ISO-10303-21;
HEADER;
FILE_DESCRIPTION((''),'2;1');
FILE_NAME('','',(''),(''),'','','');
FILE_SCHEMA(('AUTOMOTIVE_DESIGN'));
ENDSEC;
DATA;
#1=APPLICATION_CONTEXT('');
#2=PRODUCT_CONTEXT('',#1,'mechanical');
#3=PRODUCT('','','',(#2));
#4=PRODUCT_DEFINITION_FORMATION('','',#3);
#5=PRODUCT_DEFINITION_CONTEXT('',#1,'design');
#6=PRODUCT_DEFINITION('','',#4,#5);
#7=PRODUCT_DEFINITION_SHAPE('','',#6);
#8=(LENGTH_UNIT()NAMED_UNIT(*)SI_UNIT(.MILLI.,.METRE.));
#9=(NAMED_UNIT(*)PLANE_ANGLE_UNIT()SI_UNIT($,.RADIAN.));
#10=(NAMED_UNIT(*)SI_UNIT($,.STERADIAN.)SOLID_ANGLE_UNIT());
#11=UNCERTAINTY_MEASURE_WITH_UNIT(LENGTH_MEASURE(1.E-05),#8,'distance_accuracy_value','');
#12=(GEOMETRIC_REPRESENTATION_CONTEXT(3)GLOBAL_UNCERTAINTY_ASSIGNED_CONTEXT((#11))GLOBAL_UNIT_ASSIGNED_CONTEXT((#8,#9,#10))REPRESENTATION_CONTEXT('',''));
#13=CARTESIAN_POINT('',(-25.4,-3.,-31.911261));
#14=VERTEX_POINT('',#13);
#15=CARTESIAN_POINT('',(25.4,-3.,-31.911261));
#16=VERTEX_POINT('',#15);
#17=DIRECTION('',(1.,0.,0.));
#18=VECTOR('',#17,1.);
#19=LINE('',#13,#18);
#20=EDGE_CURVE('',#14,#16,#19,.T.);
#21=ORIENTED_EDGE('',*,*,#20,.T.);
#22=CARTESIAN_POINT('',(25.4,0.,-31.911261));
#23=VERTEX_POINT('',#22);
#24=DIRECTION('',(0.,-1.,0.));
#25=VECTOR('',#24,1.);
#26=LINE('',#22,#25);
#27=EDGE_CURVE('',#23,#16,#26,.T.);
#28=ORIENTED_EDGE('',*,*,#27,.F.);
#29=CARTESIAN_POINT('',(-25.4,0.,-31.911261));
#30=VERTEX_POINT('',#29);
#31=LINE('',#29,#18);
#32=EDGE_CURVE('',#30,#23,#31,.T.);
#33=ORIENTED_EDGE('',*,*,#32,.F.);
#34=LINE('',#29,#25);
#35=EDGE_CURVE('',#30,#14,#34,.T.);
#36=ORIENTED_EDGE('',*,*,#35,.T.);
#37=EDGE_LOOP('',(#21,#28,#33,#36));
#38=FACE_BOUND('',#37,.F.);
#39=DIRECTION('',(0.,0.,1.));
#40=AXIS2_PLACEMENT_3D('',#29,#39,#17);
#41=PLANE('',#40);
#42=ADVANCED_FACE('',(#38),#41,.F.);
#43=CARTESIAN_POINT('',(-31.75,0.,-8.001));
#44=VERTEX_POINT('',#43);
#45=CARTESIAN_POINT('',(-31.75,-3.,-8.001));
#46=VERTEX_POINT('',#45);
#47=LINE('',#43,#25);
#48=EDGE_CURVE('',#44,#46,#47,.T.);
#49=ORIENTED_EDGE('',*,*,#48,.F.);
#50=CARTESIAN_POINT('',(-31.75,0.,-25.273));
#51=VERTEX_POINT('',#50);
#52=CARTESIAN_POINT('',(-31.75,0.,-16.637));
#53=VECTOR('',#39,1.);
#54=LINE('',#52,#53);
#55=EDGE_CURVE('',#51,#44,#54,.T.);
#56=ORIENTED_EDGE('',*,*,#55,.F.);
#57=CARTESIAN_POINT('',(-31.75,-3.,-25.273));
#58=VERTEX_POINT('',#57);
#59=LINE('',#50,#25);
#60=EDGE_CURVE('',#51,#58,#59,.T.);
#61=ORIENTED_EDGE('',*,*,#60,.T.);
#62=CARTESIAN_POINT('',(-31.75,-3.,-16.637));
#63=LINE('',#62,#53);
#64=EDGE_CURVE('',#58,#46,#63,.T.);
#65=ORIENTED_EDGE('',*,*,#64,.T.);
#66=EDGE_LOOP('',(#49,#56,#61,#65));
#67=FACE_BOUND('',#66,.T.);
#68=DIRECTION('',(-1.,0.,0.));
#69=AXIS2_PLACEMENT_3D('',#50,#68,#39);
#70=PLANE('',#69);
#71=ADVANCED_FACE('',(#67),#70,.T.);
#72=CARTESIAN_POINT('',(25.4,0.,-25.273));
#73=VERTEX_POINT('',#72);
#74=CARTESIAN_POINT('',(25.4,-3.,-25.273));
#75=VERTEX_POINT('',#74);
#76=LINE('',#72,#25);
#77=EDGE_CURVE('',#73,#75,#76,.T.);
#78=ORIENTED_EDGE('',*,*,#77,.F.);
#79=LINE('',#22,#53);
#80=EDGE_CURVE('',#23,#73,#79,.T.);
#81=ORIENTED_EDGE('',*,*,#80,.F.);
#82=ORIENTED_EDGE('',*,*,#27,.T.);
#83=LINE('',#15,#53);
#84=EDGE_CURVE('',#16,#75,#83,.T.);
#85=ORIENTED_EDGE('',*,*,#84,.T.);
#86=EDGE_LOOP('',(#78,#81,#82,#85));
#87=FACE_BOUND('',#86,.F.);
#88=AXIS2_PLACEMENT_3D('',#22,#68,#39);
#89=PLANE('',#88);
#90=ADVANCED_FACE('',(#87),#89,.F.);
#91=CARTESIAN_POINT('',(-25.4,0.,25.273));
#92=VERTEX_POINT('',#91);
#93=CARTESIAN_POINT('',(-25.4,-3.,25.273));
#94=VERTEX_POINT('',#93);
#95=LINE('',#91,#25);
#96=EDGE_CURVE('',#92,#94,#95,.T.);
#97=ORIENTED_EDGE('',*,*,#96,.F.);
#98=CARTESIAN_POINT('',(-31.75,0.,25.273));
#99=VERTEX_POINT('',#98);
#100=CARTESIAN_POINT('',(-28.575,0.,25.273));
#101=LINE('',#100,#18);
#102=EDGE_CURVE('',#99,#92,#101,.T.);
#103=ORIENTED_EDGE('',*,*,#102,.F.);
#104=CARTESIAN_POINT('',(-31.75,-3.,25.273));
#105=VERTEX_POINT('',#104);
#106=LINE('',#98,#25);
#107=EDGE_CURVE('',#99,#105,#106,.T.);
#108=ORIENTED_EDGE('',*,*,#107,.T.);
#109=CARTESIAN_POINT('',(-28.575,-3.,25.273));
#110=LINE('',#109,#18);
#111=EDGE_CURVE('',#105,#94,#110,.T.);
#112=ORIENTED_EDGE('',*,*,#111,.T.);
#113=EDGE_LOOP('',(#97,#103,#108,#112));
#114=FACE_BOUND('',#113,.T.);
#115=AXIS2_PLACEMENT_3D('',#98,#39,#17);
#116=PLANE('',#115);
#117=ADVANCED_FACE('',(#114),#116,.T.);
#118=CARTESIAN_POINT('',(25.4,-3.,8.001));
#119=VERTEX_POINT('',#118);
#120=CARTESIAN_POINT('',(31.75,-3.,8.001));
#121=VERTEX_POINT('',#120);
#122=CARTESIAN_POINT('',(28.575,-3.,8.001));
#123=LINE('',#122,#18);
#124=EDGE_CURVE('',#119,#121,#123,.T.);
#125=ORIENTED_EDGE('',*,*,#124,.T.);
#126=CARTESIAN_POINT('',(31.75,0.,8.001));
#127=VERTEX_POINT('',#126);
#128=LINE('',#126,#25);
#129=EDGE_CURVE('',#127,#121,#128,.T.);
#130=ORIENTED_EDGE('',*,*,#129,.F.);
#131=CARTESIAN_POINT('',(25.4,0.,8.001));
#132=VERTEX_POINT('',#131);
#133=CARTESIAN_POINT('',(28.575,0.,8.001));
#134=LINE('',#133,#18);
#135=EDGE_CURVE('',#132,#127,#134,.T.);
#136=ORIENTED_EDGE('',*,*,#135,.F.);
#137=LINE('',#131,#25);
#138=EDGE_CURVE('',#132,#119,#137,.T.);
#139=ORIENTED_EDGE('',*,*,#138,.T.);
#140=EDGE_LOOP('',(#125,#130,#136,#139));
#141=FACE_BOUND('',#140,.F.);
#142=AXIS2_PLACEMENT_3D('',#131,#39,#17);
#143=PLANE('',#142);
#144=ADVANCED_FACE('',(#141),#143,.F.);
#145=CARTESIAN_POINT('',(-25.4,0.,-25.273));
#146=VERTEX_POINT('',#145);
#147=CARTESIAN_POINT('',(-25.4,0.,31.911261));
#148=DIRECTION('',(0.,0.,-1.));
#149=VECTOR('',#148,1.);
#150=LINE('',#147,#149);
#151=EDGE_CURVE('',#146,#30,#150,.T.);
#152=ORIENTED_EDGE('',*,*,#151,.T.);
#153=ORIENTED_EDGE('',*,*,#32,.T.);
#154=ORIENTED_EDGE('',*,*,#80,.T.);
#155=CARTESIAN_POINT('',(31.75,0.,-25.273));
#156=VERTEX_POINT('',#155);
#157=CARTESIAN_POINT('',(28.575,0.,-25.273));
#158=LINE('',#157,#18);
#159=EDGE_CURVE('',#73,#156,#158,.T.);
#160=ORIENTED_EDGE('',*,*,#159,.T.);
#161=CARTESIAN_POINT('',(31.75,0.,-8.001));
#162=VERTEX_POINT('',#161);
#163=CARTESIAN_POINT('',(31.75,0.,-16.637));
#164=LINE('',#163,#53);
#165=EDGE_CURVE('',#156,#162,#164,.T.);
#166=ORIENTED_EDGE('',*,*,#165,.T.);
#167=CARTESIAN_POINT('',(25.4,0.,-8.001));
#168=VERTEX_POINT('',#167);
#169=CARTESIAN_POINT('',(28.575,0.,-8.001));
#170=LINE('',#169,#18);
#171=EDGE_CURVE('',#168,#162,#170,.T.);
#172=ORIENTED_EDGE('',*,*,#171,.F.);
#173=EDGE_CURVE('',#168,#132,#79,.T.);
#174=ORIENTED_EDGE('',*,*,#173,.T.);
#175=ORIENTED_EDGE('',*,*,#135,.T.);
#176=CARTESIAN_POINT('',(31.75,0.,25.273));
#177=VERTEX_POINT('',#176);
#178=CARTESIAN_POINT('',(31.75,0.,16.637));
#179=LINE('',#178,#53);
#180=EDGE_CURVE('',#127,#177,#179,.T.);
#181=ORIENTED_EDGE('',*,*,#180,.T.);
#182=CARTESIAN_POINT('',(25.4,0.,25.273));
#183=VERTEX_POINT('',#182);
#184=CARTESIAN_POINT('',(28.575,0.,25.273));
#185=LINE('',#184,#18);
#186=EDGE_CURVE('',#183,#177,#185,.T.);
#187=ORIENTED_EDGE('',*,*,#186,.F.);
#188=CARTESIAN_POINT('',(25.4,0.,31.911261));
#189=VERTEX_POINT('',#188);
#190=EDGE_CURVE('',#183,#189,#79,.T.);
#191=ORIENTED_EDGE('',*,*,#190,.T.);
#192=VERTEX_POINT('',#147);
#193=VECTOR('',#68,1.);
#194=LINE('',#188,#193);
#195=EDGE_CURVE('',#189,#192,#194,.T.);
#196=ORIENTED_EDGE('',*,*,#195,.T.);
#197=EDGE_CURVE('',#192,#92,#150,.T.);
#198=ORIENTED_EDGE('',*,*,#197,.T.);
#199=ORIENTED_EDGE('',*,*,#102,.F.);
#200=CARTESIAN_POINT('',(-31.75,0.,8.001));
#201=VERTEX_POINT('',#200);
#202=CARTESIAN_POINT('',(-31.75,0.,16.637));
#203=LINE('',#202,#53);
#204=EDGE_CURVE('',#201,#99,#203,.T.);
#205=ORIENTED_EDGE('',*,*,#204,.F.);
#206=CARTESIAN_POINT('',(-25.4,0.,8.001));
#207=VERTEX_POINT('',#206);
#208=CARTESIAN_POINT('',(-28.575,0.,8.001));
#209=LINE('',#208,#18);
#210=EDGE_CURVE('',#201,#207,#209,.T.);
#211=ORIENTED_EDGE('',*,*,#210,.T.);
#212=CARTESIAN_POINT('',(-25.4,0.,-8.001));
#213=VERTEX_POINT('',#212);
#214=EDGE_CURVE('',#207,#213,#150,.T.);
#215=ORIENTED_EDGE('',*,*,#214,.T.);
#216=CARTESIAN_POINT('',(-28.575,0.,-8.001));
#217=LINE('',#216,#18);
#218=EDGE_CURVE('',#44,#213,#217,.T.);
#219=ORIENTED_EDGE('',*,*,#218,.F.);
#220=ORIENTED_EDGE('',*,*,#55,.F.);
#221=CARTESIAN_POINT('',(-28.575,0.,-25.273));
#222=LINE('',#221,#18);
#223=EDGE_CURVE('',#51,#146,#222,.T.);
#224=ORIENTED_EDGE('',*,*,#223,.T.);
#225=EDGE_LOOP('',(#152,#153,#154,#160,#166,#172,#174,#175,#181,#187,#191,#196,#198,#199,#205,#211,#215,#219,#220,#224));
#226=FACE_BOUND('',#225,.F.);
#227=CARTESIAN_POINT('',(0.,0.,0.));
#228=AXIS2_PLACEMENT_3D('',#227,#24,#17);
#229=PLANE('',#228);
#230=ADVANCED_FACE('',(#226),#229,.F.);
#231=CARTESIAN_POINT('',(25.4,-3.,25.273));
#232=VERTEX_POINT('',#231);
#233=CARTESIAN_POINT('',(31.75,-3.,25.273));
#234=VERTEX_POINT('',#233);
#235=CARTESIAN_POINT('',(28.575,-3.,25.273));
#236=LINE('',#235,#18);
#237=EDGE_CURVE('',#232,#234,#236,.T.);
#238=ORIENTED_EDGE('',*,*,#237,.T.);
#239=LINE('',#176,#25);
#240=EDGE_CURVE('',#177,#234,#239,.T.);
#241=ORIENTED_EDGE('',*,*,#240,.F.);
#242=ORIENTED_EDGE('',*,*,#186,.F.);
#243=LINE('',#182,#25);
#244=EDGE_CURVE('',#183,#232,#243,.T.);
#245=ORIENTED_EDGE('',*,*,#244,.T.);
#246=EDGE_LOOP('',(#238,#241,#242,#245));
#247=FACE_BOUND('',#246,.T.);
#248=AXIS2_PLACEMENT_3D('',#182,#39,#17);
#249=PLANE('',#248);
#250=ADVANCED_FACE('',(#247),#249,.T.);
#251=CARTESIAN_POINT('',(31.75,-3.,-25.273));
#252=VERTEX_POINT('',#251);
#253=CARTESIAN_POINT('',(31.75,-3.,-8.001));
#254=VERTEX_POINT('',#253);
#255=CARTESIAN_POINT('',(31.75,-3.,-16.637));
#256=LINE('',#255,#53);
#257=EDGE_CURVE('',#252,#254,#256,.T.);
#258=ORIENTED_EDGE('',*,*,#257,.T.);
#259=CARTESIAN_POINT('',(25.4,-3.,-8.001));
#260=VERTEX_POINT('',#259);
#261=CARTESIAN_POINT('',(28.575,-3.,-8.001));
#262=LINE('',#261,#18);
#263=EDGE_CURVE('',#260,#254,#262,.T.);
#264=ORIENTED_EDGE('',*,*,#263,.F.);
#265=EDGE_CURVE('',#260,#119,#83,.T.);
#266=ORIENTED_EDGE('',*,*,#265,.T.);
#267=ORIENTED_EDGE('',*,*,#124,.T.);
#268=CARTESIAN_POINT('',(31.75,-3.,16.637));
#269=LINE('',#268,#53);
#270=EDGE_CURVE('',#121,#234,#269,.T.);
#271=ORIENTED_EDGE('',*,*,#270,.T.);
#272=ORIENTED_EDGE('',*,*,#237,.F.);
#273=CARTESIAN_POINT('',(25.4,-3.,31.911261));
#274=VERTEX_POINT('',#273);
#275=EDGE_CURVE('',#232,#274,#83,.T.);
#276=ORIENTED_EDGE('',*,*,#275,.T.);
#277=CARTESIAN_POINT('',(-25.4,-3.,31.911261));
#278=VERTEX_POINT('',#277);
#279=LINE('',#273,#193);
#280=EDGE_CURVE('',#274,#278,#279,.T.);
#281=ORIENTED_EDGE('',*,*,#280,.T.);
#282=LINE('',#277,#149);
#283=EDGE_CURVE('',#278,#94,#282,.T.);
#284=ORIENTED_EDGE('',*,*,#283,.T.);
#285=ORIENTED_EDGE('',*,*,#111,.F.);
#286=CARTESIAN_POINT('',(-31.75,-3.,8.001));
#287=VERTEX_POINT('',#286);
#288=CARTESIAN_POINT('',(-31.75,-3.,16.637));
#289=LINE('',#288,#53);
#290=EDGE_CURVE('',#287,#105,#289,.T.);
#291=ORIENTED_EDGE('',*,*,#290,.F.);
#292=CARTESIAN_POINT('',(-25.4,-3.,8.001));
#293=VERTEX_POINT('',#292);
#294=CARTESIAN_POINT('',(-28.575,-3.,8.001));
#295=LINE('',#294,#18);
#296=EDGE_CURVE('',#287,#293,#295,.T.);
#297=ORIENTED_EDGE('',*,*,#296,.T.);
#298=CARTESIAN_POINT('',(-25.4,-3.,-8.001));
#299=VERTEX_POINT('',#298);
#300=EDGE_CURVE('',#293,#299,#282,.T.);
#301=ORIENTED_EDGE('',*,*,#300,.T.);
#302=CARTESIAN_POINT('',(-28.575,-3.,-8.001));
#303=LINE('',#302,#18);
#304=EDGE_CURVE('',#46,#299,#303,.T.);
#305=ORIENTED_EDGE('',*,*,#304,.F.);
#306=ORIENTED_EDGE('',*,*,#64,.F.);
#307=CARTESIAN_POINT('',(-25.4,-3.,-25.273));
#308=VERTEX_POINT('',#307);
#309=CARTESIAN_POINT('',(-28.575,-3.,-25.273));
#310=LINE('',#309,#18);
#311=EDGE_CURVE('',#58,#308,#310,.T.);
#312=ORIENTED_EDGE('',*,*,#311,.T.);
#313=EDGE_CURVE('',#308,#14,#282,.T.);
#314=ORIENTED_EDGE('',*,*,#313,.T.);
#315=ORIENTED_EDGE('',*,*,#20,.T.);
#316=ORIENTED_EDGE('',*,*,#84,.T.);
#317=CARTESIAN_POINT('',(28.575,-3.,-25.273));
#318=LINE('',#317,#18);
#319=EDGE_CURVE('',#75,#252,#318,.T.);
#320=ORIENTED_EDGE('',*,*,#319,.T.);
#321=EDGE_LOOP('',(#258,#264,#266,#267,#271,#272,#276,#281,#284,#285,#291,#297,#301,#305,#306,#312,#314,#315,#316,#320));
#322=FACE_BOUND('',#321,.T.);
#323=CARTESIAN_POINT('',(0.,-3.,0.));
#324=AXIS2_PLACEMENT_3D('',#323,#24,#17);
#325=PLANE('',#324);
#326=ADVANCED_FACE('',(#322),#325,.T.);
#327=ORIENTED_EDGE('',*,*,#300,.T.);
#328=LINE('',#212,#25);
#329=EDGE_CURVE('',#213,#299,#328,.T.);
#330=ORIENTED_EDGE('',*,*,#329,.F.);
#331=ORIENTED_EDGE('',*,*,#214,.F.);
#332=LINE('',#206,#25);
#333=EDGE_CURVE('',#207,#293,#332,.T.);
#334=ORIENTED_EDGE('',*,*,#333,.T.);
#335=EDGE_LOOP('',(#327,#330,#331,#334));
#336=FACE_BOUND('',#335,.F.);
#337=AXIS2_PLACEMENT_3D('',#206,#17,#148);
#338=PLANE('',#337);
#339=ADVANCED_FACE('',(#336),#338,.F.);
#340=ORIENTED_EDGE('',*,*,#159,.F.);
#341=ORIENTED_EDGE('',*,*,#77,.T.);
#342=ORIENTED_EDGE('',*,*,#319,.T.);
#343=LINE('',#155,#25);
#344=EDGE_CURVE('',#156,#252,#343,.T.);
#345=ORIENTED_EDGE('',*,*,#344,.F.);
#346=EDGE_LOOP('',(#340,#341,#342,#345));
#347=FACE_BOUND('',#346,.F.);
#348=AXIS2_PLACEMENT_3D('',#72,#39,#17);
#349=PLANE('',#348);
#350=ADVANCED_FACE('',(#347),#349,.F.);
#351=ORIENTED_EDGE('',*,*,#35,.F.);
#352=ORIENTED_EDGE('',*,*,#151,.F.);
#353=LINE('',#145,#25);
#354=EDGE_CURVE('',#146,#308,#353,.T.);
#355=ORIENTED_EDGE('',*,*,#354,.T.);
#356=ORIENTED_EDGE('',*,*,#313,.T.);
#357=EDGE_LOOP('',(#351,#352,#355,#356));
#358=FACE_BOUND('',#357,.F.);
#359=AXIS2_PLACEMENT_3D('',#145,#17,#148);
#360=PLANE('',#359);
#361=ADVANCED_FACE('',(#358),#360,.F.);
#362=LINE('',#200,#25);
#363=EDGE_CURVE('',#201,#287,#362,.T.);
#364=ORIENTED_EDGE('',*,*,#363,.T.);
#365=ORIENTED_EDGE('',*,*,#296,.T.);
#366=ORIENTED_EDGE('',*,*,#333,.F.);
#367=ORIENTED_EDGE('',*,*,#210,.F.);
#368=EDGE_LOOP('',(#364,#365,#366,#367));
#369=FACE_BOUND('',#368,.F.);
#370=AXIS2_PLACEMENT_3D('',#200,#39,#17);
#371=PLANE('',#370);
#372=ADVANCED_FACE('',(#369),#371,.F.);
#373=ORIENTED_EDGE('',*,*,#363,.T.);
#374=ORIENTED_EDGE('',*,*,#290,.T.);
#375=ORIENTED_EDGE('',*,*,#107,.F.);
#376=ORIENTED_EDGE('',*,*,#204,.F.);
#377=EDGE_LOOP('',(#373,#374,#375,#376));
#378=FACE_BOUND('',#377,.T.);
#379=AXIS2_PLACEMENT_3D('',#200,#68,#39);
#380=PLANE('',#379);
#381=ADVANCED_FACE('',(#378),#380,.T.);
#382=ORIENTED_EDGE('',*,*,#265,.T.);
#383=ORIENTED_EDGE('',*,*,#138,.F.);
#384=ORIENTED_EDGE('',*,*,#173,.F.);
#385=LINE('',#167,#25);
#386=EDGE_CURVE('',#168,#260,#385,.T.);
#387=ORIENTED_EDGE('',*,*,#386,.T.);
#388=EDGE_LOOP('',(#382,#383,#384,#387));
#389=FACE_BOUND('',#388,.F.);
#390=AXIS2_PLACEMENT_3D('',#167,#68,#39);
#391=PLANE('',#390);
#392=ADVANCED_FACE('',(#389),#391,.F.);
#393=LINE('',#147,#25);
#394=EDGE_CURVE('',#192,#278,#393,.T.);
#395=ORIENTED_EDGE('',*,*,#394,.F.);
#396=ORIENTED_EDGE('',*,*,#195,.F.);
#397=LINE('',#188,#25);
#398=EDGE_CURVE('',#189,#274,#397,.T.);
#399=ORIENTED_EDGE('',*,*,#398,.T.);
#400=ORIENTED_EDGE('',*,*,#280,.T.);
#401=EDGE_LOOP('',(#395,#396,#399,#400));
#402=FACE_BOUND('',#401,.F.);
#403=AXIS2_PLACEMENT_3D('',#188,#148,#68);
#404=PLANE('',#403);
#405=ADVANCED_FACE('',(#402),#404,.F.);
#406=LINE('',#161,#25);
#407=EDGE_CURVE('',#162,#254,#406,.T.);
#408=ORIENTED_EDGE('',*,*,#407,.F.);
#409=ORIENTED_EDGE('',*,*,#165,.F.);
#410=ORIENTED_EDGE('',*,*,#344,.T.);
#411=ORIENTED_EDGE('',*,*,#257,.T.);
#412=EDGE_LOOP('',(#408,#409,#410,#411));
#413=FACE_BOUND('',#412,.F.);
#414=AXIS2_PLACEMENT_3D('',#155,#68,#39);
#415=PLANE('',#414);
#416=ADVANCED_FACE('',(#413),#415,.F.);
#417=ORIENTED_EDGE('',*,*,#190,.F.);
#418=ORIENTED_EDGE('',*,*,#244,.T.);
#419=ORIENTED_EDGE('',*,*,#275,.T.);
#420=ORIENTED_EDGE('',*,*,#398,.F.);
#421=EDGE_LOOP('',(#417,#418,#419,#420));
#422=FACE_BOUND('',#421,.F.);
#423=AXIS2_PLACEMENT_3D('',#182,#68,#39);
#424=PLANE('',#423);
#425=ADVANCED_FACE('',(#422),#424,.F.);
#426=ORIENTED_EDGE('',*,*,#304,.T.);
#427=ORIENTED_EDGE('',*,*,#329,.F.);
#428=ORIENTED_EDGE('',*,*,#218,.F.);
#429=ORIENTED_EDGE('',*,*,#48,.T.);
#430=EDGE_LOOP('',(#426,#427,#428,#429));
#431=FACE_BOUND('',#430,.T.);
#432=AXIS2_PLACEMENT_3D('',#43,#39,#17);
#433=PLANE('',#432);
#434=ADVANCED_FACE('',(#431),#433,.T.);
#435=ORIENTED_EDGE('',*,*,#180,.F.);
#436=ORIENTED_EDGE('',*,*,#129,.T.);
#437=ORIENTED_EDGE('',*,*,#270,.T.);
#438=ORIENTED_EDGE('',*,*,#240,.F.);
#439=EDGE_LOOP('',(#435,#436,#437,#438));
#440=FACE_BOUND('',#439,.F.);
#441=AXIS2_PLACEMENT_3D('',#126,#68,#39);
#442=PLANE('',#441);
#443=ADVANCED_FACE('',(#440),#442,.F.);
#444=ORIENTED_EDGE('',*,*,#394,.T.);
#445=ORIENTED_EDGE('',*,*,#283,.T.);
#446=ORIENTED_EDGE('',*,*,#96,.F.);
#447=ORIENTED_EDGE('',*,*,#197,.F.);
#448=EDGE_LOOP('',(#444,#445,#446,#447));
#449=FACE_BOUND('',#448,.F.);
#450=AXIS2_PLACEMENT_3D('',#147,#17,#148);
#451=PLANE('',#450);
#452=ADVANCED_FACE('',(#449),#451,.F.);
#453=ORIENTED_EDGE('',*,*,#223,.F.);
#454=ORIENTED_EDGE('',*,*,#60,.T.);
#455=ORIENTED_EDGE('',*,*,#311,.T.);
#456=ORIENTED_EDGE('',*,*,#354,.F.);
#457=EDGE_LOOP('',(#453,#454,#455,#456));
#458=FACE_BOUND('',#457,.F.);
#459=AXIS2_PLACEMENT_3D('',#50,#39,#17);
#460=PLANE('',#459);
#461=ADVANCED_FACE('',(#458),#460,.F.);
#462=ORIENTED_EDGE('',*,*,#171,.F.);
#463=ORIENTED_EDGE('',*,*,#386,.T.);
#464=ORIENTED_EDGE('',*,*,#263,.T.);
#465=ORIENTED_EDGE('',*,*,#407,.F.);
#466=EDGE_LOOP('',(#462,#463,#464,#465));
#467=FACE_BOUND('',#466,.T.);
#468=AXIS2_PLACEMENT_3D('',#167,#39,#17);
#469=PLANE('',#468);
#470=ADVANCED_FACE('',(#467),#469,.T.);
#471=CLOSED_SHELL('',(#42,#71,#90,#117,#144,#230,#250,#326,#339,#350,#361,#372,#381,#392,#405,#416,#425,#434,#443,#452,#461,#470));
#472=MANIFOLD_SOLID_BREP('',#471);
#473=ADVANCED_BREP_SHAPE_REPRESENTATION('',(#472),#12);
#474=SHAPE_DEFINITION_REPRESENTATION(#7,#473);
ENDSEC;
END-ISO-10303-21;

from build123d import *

# Parameters (mm, degrees)
F0_W     = 3.302
F0_H     = 17.272
F0_W_2   = 6.35
F1_DEPTH = 3


with BuildPart() as f1:
    # F0 (on Front) → F1 (new body)
    with BuildSketch(Plane.XZ):
        Polygon((-25.4, -31.9112605834), (25.4, -31.9112605834), (25.4, -25.273), (25.4, -8.001), (25.4, 8.001), (25.4, 25.273), (25.4, 31.9112605834), (-25.4, 31.9112605834), (-25.4, 25.273), (-25.4, 8.001), (-25.4, -8.001), (-25.4, -25.273), align=None)
        with Locations((-19.939, -16.637)):
            Rectangle(F0_W, F0_H, mode=Mode.SUBTRACT)
        with Locations((19.939, -16.637)):
            Rectangle(F0_W, F0_H, mode=Mode.SUBTRACT)
        with Locations((-19.939, 16.637)):
            Rectangle(F0_W, F0_H, mode=Mode.SUBTRACT)
        with Locations((19.939, 16.637)):
            Rectangle(F0_W, F0_H, mode=Mode.SUBTRACT)
        with Locations((-28.575, -16.637)):
            Rectangle(F0_W_2, F0_H)
        with Locations((-28.575, 16.637)):
            Rectangle(F0_W_2, F0_H)
        with Locations((28.575, 16.637)):
            Rectangle(F0_W_2, F0_H)
        with Locations((28.575, -16.637)):
            Rectangle(F0_W_2, F0_H)
        with Locations((-19.939, 16.637)):
            Rectangle(F0_W, F0_H)
        with Locations((19.939, 16.637)):
            Rectangle(F0_W, F0_H)
        with Locations((19.939, -16.637)):
            Rectangle(F0_W, F0_H)
        with Locations((-19.939, -16.637)):
            Rectangle(F0_W, F0_H)
    extrude(amount=F1_DEPTH)


solid = f1.part
